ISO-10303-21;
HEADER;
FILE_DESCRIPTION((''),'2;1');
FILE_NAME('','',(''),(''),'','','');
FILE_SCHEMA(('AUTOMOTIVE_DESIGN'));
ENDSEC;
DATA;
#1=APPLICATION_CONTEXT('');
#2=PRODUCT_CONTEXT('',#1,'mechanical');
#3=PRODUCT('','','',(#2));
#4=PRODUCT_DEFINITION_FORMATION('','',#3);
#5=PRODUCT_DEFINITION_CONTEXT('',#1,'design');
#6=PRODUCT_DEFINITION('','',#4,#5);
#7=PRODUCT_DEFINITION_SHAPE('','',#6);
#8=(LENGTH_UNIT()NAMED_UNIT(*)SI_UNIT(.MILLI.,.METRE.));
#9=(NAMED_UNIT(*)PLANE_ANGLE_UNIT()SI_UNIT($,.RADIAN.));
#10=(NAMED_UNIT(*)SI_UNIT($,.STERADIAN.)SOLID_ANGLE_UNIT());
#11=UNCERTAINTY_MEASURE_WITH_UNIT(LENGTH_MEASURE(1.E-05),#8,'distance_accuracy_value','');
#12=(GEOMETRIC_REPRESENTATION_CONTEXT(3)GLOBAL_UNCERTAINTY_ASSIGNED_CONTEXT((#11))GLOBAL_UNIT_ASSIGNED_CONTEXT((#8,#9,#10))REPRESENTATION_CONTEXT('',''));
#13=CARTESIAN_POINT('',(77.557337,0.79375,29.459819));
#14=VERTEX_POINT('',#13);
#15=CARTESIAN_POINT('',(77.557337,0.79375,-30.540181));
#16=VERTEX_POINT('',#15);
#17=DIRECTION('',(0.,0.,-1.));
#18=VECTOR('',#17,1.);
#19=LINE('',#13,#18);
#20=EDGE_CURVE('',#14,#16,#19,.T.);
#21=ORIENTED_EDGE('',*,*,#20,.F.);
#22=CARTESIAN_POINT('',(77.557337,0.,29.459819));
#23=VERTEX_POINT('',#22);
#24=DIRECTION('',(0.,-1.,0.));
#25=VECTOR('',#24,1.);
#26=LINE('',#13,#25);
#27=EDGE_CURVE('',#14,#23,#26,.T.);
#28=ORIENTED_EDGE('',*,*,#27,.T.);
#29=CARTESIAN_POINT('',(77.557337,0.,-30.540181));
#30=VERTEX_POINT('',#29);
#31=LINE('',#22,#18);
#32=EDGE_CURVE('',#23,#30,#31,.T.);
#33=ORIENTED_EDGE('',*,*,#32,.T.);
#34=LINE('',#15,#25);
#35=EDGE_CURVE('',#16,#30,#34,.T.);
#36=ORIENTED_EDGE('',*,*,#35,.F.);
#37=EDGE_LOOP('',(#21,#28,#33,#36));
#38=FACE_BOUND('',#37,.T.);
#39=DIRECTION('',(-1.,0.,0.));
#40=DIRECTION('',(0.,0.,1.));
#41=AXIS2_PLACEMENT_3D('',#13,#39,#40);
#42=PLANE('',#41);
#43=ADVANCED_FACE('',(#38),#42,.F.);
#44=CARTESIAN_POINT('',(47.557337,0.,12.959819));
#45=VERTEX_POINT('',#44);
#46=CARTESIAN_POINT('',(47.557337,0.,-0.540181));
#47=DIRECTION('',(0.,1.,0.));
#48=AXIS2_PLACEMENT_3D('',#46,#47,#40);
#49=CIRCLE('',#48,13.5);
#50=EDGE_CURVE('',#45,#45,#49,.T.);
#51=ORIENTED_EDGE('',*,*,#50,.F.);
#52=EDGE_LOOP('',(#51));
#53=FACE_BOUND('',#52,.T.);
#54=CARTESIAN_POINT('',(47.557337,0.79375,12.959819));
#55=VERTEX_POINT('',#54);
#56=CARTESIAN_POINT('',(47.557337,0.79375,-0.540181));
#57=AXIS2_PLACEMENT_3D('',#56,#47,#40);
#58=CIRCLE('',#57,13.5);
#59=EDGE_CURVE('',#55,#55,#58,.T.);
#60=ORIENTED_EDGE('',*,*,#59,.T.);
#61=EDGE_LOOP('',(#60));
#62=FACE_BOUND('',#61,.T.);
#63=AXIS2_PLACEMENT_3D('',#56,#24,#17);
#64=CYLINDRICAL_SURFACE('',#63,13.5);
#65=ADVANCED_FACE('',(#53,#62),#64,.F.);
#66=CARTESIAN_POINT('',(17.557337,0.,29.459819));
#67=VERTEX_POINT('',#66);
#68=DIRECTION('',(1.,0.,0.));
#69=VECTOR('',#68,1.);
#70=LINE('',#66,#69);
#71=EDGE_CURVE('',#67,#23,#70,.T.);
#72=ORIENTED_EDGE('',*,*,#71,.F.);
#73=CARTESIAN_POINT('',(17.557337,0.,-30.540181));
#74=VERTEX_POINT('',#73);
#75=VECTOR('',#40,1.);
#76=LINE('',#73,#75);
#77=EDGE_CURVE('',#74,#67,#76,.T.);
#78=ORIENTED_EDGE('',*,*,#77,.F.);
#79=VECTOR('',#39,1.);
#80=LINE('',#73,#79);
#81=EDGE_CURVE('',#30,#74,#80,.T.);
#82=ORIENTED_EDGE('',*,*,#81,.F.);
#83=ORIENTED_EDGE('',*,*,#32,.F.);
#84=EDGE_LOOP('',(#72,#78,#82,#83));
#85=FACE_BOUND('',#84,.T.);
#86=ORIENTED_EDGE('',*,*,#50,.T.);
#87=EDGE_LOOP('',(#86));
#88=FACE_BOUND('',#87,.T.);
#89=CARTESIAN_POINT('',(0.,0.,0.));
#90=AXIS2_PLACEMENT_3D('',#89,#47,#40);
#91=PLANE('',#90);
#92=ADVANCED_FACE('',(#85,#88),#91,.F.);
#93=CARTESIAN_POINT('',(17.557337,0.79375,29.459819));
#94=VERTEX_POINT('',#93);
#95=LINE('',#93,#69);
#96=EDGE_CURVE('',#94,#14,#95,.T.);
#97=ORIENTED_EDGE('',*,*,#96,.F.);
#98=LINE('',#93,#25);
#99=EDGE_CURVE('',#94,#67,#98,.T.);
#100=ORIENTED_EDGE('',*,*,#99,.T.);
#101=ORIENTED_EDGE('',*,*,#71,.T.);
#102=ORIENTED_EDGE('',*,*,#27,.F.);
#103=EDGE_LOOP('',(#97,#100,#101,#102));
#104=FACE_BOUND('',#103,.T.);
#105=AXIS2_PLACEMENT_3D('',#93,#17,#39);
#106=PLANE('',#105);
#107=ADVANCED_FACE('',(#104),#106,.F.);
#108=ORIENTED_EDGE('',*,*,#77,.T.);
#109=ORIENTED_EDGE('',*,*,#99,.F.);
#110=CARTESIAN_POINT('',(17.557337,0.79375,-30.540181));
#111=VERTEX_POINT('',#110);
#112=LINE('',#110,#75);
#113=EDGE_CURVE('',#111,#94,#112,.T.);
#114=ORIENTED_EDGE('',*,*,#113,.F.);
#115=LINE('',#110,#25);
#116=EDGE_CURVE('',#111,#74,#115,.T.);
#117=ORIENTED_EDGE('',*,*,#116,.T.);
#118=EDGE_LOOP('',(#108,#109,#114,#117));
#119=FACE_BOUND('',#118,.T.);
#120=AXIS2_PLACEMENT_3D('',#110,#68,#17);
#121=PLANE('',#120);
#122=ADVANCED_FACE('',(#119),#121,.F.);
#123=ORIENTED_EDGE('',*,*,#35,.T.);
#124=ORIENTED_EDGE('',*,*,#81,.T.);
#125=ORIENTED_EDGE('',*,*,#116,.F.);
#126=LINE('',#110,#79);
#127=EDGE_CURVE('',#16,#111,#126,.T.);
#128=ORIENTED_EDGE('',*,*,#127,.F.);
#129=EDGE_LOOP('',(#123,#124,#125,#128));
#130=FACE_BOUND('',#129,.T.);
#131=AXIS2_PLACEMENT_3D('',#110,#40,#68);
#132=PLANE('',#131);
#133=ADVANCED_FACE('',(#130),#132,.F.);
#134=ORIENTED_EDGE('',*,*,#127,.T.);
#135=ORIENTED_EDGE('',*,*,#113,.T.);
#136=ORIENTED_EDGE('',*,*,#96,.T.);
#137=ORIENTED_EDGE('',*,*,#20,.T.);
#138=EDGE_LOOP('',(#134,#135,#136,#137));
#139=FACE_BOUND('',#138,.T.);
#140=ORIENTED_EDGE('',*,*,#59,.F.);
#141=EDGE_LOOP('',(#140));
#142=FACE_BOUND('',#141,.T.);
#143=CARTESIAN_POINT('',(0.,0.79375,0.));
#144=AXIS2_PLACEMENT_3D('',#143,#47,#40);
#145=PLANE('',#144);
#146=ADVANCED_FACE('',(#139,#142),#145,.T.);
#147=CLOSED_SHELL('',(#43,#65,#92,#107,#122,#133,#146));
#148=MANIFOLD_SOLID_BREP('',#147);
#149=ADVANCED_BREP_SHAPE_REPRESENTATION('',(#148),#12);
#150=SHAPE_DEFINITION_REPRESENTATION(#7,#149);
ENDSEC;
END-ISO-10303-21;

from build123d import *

# Parameters (mm, degrees)
SKETCH1_W           = 60
SKETCH1_H           = 60
SKETCH1_R           = 13.5
BOSS_EXTRUDE1_DEPTH = 0.79375


with BuildPart() as part:
    # Sketch1 → Boss-Extrude1 (new body)
    with BuildSketch(Plane(origin=(0, 0, 0), x_dir=(1, 0, 0), z_dir=(0, 1, 0))):
        with Locations((47.557337307, 0.540181073)):
            Rectangle(SKETCH1_W, SKETCH1_H)
        with Locations((47.557337307, 0.540181073)):
            Circle(SKETCH1_R, mode=Mode.SUBTRACT)
    extrude(amount=BOSS_EXTRUDE1_DEPTH)


solid = part.part
